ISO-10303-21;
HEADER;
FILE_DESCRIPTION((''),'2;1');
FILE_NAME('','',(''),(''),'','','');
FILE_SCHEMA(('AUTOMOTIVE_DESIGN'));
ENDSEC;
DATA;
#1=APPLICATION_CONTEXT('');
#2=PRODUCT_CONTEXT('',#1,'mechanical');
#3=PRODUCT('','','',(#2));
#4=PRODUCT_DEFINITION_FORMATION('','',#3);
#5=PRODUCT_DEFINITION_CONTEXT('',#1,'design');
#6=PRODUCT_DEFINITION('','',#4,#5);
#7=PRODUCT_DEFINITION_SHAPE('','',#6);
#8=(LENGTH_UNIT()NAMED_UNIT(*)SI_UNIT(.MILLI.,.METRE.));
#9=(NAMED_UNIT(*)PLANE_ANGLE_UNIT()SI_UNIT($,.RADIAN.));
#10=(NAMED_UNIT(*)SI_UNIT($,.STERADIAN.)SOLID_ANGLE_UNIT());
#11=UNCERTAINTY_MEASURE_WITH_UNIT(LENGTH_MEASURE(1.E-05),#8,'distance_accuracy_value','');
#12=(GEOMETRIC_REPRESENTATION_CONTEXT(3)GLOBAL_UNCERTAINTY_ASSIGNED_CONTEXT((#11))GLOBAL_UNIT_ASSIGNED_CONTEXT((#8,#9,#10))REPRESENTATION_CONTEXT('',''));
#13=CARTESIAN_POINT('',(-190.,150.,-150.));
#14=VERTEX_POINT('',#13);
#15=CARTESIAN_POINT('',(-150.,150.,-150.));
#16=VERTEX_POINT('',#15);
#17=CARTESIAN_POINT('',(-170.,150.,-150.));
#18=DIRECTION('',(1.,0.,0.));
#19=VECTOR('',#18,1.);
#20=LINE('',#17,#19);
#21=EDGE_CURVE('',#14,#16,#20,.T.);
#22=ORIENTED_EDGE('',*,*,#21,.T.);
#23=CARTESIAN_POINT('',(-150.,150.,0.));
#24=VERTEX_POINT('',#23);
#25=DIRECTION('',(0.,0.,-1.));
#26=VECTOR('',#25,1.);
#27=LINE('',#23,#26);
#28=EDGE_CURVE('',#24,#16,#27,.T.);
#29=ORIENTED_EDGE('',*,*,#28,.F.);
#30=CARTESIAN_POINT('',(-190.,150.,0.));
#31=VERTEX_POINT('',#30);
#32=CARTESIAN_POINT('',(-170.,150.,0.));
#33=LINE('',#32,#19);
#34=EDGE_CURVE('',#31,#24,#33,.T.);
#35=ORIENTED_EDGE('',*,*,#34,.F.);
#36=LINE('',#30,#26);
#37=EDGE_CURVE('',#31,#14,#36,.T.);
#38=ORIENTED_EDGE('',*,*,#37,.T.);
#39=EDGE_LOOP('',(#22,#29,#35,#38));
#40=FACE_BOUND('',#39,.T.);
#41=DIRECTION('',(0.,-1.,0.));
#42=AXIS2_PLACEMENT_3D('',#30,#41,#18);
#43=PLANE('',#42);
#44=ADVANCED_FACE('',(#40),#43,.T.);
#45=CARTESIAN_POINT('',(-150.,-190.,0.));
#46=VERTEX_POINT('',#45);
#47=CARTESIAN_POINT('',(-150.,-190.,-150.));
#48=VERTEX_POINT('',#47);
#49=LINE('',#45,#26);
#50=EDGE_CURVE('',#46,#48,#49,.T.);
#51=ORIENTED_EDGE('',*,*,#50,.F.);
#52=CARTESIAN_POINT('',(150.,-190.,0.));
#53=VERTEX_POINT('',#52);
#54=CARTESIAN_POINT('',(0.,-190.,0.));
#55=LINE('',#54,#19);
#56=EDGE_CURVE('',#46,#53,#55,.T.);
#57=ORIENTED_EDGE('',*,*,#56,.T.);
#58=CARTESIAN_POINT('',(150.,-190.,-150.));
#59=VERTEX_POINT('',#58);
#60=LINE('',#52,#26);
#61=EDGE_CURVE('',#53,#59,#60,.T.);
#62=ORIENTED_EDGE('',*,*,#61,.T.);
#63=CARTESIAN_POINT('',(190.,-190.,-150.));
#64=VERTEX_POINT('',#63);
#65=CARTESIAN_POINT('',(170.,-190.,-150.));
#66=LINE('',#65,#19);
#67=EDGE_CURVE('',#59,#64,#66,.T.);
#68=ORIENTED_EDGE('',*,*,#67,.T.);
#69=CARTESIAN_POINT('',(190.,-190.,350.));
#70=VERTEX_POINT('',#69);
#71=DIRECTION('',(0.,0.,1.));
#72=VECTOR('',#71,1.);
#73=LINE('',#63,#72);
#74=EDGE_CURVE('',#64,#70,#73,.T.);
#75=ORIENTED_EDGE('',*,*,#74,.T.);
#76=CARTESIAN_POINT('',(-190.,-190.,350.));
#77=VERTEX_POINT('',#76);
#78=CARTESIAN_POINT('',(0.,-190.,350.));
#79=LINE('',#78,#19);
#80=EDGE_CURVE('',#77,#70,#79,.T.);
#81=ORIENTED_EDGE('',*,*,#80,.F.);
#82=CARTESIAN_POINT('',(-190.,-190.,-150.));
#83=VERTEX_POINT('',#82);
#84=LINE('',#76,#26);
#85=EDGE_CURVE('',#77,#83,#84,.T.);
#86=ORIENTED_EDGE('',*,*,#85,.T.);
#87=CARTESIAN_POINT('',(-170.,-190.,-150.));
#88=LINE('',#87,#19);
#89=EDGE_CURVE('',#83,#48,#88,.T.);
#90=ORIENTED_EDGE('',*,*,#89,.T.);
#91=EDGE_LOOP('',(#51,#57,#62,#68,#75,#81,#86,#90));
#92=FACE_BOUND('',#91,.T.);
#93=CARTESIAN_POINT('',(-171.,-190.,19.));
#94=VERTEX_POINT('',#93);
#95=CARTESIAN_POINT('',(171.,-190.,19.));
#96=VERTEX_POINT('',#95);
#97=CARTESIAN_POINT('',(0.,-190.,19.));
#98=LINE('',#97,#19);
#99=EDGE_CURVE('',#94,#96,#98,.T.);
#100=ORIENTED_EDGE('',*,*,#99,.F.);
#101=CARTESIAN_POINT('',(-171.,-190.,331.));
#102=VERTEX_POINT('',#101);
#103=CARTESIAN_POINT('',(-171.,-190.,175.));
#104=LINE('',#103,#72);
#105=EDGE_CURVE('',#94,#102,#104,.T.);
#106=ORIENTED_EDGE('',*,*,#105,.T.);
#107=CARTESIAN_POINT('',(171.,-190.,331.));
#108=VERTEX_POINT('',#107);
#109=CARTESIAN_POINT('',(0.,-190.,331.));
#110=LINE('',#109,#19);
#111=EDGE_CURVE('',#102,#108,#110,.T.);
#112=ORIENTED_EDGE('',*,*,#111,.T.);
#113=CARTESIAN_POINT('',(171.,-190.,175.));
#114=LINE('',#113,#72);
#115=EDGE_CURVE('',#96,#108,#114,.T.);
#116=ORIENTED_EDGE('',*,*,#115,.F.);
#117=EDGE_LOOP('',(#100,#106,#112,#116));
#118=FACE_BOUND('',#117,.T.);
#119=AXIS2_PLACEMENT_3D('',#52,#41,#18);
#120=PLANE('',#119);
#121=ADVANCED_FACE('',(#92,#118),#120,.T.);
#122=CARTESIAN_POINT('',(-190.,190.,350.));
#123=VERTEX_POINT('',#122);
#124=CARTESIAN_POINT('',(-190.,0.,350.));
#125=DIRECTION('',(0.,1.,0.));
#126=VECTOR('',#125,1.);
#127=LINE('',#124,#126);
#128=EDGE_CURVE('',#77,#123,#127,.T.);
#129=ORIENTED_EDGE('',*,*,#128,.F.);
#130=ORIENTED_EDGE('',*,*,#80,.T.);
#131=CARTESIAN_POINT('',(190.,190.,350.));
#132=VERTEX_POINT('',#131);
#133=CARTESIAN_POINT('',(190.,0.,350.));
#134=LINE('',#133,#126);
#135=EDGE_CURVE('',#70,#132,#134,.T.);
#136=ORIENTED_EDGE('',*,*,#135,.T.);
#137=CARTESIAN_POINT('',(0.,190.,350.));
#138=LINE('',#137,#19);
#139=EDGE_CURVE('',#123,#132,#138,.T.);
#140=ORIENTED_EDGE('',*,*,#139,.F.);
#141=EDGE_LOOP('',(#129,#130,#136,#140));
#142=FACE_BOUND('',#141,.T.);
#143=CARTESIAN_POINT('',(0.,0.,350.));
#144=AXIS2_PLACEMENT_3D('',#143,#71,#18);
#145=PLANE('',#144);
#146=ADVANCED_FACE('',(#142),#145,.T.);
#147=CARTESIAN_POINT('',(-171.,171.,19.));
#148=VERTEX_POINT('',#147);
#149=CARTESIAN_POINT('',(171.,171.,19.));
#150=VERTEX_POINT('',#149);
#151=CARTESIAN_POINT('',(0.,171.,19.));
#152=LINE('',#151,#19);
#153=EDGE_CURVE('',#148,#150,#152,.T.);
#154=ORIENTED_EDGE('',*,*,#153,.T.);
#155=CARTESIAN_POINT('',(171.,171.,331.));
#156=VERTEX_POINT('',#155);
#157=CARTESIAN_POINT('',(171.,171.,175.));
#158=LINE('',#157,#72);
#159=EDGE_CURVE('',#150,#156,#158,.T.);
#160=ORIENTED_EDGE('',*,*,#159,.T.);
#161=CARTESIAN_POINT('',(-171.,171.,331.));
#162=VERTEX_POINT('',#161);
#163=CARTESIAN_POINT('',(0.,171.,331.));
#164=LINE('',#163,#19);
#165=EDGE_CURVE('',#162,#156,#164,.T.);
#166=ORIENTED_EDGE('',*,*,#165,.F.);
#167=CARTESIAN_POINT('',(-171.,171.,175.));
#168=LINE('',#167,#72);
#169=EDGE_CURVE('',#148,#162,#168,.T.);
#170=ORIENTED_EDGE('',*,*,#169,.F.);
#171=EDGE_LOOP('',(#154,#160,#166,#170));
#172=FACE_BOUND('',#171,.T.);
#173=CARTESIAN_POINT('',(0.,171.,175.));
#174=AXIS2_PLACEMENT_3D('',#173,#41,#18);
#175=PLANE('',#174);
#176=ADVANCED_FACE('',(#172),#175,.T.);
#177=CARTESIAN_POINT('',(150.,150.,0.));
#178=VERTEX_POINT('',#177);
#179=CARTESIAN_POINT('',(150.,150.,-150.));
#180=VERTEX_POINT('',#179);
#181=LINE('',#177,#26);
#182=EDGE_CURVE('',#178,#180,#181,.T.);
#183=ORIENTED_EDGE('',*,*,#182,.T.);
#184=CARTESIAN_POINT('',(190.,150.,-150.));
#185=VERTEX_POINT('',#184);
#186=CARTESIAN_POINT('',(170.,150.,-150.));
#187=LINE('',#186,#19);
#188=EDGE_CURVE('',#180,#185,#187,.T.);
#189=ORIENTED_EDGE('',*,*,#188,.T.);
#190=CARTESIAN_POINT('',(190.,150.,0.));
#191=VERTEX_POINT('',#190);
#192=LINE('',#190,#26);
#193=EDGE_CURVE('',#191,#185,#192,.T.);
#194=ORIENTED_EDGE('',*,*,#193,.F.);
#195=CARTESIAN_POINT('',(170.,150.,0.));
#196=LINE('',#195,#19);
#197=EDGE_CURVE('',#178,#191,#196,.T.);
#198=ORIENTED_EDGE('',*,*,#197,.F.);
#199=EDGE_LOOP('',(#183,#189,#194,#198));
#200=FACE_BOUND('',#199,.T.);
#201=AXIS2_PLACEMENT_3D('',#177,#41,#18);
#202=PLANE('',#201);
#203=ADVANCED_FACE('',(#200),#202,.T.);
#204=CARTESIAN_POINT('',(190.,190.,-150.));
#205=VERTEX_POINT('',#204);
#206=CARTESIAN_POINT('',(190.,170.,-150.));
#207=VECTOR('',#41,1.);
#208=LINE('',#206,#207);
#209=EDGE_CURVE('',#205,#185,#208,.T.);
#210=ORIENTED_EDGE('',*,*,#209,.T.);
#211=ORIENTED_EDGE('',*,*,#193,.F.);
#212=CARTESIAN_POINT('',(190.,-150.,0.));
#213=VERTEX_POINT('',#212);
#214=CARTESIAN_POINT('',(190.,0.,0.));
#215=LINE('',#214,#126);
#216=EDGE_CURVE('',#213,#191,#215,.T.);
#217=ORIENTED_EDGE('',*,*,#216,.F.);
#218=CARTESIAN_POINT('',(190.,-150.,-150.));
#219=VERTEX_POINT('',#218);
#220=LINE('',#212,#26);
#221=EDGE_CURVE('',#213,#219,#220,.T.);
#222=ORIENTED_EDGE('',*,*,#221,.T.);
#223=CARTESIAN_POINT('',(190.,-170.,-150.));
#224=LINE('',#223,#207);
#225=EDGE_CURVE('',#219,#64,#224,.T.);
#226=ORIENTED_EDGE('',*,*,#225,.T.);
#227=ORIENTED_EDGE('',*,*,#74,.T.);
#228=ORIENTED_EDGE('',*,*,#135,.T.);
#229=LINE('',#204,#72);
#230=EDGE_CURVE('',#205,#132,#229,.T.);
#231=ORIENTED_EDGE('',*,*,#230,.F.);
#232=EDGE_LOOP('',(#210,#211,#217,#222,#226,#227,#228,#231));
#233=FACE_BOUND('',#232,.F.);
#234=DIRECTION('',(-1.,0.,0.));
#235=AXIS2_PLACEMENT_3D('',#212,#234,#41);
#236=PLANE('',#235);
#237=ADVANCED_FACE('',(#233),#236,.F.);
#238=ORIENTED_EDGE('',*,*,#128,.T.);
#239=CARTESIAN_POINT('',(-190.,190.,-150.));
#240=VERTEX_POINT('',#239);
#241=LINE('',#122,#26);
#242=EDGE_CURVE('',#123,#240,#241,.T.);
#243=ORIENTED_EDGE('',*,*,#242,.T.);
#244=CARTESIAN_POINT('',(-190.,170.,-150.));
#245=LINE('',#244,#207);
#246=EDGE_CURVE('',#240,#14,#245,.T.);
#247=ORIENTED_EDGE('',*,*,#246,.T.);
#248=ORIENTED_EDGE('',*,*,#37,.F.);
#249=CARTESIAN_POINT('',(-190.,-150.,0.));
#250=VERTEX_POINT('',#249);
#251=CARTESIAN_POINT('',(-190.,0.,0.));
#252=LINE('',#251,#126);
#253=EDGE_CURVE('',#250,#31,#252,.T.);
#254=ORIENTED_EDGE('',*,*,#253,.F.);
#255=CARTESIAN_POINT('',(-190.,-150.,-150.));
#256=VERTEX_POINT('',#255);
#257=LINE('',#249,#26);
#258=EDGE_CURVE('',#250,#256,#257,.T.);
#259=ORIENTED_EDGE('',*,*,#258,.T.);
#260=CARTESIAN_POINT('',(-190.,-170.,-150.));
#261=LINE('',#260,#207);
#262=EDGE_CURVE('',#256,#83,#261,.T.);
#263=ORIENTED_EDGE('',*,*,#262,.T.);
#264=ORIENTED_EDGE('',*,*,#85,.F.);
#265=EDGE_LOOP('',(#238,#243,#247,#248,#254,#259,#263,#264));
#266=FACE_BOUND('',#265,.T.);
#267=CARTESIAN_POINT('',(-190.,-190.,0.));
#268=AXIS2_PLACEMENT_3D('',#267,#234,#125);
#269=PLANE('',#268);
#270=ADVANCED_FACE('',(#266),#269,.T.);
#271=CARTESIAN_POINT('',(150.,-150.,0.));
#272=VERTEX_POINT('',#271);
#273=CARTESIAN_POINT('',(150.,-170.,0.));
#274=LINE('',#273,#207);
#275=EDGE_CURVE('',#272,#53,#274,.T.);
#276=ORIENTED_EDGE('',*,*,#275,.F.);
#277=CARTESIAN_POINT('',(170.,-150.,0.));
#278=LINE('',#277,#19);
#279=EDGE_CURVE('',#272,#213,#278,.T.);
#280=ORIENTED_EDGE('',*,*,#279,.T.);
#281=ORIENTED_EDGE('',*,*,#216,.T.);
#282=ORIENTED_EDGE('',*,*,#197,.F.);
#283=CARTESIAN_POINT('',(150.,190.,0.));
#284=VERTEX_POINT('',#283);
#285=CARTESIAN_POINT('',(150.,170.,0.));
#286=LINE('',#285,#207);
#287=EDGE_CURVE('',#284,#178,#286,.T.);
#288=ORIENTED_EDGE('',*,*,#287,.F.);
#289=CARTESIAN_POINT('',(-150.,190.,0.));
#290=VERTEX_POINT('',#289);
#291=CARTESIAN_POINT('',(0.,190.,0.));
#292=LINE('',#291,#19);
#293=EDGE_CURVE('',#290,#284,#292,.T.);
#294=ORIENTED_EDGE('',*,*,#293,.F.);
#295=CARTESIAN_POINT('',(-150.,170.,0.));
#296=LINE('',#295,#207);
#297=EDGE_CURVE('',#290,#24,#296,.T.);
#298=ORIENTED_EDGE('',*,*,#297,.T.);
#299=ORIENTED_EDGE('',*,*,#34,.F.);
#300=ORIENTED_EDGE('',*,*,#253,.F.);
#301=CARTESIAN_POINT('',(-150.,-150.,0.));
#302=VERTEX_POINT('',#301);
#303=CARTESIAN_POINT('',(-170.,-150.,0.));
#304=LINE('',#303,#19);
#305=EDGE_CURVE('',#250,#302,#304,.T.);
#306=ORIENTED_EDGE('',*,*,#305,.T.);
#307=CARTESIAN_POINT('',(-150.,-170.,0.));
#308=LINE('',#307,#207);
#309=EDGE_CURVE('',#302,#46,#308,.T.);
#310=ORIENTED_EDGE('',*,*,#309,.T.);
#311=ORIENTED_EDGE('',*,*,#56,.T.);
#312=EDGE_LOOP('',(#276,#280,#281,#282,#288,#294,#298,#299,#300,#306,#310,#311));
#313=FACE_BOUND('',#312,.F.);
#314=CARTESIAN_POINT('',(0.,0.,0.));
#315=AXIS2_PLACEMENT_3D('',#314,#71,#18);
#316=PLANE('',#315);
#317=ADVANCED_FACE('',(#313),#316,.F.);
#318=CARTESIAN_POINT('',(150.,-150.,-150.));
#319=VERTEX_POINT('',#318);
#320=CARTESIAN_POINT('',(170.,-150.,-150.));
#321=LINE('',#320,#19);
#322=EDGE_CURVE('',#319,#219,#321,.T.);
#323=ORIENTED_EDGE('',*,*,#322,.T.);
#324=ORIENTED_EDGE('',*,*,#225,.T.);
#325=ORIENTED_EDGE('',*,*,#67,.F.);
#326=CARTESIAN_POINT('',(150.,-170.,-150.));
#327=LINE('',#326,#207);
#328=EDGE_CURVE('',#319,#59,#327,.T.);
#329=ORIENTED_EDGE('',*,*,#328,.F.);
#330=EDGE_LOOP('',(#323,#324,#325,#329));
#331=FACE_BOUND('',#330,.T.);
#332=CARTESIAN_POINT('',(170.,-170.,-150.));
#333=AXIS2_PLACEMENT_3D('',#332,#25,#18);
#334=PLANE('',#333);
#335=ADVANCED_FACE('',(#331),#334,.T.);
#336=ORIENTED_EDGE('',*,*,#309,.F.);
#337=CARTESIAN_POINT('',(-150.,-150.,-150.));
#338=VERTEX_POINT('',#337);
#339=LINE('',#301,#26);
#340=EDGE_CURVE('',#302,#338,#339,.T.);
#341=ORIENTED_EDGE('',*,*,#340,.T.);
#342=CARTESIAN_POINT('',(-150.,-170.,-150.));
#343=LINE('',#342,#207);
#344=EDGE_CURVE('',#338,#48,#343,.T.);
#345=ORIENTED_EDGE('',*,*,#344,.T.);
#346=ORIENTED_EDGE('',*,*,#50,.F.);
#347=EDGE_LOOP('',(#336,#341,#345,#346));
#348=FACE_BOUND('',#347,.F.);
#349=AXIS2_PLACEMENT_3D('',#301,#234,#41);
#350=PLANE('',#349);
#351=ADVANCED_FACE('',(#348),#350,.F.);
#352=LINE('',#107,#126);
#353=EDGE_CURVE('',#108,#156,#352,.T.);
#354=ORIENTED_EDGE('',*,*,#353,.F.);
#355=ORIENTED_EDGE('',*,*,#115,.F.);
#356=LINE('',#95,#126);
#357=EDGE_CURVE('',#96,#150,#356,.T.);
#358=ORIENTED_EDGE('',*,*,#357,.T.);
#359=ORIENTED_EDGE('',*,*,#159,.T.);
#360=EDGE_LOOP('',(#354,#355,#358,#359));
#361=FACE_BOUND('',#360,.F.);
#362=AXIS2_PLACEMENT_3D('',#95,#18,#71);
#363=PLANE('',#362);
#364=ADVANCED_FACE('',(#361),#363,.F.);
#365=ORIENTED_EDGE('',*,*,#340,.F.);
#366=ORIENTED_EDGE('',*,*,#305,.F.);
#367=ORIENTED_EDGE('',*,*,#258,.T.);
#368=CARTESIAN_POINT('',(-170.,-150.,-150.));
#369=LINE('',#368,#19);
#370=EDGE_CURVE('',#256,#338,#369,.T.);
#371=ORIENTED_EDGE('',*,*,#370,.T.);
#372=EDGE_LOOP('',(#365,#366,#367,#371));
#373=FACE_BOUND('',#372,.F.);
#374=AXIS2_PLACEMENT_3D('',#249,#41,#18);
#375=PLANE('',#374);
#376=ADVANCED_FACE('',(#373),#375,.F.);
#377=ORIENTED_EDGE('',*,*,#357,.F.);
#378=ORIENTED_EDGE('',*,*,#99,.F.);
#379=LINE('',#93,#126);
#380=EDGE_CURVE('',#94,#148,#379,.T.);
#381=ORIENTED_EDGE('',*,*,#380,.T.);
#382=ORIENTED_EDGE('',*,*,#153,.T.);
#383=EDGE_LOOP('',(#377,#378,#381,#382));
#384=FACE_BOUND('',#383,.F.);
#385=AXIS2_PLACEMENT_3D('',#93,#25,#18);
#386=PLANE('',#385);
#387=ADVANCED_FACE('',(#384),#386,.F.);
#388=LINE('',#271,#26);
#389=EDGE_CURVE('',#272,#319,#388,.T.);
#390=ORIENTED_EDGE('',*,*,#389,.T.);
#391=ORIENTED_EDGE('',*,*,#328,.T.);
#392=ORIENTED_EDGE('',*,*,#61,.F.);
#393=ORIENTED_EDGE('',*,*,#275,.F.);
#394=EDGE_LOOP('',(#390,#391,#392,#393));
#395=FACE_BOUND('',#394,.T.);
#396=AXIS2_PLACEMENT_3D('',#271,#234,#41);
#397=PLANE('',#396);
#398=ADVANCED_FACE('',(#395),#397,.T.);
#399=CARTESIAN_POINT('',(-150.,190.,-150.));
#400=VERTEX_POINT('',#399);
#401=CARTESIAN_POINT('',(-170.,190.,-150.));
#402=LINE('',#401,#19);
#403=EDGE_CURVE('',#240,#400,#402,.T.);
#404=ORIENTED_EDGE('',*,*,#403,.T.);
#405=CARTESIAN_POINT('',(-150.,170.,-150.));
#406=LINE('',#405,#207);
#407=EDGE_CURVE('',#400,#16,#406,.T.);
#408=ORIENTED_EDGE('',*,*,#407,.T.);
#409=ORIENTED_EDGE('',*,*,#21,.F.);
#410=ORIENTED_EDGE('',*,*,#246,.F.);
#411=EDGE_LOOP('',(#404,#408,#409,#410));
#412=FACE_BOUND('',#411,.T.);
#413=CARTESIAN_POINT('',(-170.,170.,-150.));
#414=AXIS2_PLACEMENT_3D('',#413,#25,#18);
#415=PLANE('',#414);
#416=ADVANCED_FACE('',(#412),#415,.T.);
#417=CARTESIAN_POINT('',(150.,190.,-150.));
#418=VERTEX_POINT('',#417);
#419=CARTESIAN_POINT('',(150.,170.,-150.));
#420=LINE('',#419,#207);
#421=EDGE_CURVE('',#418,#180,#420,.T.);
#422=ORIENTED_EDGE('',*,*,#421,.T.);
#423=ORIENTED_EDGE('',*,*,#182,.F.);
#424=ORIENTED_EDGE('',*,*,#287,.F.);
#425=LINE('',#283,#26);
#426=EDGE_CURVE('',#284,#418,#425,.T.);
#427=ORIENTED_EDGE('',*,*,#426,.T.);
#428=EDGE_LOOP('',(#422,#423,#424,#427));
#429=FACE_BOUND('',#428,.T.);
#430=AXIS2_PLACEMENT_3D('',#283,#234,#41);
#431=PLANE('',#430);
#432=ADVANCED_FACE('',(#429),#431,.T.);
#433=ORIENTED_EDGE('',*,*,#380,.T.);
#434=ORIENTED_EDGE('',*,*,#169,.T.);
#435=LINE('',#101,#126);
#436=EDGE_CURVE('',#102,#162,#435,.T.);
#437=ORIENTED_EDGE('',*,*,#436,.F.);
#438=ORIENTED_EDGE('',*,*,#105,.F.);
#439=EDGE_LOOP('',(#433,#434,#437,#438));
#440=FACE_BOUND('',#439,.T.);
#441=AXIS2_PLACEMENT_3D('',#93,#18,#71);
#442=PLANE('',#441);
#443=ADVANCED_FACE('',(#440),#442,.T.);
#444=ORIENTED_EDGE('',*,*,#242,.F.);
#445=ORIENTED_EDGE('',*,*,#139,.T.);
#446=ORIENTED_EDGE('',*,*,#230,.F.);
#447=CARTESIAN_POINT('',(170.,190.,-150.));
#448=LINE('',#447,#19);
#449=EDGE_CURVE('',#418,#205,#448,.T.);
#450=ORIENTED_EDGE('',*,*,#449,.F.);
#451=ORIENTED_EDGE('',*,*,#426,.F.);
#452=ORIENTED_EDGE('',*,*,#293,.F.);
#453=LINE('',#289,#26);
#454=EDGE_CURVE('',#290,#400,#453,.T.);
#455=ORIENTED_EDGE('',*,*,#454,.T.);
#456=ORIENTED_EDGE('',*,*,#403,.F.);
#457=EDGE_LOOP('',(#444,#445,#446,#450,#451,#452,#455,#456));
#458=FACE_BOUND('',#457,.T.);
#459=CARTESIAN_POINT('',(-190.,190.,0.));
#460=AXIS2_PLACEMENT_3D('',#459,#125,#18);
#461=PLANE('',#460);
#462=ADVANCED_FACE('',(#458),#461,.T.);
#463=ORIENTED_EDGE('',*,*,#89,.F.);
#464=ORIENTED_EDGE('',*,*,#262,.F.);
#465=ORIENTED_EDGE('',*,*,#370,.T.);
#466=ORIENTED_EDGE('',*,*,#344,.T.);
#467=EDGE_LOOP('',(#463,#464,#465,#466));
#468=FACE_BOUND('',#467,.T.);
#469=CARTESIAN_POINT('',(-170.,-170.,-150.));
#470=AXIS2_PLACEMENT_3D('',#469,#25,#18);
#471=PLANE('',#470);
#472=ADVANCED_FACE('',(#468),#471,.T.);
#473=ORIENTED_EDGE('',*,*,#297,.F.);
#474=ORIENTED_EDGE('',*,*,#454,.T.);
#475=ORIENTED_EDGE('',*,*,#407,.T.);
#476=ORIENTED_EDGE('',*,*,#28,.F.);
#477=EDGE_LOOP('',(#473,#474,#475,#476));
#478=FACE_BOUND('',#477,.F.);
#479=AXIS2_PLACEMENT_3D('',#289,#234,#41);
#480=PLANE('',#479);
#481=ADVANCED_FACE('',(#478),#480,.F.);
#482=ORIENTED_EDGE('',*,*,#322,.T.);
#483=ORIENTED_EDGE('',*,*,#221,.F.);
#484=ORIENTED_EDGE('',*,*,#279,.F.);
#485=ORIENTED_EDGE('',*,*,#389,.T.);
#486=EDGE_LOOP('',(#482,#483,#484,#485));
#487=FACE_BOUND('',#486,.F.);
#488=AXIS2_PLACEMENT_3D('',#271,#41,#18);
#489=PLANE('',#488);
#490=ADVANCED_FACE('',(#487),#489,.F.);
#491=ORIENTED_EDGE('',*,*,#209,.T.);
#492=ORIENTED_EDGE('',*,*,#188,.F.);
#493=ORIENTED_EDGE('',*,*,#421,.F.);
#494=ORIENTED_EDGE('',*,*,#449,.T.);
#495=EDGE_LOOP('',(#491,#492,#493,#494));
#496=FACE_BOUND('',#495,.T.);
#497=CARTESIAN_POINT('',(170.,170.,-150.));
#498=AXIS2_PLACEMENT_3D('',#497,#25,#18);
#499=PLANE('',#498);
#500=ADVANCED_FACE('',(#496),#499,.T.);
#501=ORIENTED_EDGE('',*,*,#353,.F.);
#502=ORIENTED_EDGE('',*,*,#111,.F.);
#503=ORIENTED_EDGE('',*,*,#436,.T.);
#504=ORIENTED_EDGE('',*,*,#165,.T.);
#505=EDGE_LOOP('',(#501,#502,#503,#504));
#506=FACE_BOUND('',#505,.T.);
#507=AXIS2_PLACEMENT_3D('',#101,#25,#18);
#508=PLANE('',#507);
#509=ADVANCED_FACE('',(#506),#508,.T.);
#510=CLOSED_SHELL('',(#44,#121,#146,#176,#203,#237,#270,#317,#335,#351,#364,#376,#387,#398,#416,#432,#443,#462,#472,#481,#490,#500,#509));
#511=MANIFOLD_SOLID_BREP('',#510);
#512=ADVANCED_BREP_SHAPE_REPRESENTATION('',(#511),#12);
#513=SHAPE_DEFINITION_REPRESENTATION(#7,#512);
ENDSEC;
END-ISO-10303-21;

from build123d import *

# Parameters (mm, degrees)
F0_W     = 380
F0_H     = 380
F1_DEPTH = 350
F2_W     = 342
F2_H     = 312
F3_DEPTH = 361
F4_W     = 40
F4_H     = 40
F5_DEPTH = 150


with BuildPart() as f1:
    # F0 (on Top) → F1 (new body)
    with BuildSketch(Plane.XY):
        Rectangle(F0_W, F0_H)
    extrude(amount=F1_DEPTH)

    # F2 (on face) → F3 (cut)
    with BuildSketch(Plane.XZ.offset(190)):
        with Locations((0, 175)):
            Rectangle(F2_W, F2_H)
    extrude(amount=-F3_DEPTH, mode=Mode.SUBTRACT)

    # F4 (on face) → F5 (join)
    with BuildSketch(Plane(origin=(0, 0, 0), x_dir=(1, 0, 0), z_dir=(0, 0, -1))):
        with Locations((170, 170)):
            Rectangle(F4_W, F4_H)
        with Locations((-170, 170)):
            Rectangle(F4_W, F4_H)
        with Locations((170, -170)):
            Rectangle(F4_W, F4_H)
        with Locations((-170, -170)):
            Rectangle(F4_W, F4_H)
    extrude(amount=F5_DEPTH)


solid = f1.part
